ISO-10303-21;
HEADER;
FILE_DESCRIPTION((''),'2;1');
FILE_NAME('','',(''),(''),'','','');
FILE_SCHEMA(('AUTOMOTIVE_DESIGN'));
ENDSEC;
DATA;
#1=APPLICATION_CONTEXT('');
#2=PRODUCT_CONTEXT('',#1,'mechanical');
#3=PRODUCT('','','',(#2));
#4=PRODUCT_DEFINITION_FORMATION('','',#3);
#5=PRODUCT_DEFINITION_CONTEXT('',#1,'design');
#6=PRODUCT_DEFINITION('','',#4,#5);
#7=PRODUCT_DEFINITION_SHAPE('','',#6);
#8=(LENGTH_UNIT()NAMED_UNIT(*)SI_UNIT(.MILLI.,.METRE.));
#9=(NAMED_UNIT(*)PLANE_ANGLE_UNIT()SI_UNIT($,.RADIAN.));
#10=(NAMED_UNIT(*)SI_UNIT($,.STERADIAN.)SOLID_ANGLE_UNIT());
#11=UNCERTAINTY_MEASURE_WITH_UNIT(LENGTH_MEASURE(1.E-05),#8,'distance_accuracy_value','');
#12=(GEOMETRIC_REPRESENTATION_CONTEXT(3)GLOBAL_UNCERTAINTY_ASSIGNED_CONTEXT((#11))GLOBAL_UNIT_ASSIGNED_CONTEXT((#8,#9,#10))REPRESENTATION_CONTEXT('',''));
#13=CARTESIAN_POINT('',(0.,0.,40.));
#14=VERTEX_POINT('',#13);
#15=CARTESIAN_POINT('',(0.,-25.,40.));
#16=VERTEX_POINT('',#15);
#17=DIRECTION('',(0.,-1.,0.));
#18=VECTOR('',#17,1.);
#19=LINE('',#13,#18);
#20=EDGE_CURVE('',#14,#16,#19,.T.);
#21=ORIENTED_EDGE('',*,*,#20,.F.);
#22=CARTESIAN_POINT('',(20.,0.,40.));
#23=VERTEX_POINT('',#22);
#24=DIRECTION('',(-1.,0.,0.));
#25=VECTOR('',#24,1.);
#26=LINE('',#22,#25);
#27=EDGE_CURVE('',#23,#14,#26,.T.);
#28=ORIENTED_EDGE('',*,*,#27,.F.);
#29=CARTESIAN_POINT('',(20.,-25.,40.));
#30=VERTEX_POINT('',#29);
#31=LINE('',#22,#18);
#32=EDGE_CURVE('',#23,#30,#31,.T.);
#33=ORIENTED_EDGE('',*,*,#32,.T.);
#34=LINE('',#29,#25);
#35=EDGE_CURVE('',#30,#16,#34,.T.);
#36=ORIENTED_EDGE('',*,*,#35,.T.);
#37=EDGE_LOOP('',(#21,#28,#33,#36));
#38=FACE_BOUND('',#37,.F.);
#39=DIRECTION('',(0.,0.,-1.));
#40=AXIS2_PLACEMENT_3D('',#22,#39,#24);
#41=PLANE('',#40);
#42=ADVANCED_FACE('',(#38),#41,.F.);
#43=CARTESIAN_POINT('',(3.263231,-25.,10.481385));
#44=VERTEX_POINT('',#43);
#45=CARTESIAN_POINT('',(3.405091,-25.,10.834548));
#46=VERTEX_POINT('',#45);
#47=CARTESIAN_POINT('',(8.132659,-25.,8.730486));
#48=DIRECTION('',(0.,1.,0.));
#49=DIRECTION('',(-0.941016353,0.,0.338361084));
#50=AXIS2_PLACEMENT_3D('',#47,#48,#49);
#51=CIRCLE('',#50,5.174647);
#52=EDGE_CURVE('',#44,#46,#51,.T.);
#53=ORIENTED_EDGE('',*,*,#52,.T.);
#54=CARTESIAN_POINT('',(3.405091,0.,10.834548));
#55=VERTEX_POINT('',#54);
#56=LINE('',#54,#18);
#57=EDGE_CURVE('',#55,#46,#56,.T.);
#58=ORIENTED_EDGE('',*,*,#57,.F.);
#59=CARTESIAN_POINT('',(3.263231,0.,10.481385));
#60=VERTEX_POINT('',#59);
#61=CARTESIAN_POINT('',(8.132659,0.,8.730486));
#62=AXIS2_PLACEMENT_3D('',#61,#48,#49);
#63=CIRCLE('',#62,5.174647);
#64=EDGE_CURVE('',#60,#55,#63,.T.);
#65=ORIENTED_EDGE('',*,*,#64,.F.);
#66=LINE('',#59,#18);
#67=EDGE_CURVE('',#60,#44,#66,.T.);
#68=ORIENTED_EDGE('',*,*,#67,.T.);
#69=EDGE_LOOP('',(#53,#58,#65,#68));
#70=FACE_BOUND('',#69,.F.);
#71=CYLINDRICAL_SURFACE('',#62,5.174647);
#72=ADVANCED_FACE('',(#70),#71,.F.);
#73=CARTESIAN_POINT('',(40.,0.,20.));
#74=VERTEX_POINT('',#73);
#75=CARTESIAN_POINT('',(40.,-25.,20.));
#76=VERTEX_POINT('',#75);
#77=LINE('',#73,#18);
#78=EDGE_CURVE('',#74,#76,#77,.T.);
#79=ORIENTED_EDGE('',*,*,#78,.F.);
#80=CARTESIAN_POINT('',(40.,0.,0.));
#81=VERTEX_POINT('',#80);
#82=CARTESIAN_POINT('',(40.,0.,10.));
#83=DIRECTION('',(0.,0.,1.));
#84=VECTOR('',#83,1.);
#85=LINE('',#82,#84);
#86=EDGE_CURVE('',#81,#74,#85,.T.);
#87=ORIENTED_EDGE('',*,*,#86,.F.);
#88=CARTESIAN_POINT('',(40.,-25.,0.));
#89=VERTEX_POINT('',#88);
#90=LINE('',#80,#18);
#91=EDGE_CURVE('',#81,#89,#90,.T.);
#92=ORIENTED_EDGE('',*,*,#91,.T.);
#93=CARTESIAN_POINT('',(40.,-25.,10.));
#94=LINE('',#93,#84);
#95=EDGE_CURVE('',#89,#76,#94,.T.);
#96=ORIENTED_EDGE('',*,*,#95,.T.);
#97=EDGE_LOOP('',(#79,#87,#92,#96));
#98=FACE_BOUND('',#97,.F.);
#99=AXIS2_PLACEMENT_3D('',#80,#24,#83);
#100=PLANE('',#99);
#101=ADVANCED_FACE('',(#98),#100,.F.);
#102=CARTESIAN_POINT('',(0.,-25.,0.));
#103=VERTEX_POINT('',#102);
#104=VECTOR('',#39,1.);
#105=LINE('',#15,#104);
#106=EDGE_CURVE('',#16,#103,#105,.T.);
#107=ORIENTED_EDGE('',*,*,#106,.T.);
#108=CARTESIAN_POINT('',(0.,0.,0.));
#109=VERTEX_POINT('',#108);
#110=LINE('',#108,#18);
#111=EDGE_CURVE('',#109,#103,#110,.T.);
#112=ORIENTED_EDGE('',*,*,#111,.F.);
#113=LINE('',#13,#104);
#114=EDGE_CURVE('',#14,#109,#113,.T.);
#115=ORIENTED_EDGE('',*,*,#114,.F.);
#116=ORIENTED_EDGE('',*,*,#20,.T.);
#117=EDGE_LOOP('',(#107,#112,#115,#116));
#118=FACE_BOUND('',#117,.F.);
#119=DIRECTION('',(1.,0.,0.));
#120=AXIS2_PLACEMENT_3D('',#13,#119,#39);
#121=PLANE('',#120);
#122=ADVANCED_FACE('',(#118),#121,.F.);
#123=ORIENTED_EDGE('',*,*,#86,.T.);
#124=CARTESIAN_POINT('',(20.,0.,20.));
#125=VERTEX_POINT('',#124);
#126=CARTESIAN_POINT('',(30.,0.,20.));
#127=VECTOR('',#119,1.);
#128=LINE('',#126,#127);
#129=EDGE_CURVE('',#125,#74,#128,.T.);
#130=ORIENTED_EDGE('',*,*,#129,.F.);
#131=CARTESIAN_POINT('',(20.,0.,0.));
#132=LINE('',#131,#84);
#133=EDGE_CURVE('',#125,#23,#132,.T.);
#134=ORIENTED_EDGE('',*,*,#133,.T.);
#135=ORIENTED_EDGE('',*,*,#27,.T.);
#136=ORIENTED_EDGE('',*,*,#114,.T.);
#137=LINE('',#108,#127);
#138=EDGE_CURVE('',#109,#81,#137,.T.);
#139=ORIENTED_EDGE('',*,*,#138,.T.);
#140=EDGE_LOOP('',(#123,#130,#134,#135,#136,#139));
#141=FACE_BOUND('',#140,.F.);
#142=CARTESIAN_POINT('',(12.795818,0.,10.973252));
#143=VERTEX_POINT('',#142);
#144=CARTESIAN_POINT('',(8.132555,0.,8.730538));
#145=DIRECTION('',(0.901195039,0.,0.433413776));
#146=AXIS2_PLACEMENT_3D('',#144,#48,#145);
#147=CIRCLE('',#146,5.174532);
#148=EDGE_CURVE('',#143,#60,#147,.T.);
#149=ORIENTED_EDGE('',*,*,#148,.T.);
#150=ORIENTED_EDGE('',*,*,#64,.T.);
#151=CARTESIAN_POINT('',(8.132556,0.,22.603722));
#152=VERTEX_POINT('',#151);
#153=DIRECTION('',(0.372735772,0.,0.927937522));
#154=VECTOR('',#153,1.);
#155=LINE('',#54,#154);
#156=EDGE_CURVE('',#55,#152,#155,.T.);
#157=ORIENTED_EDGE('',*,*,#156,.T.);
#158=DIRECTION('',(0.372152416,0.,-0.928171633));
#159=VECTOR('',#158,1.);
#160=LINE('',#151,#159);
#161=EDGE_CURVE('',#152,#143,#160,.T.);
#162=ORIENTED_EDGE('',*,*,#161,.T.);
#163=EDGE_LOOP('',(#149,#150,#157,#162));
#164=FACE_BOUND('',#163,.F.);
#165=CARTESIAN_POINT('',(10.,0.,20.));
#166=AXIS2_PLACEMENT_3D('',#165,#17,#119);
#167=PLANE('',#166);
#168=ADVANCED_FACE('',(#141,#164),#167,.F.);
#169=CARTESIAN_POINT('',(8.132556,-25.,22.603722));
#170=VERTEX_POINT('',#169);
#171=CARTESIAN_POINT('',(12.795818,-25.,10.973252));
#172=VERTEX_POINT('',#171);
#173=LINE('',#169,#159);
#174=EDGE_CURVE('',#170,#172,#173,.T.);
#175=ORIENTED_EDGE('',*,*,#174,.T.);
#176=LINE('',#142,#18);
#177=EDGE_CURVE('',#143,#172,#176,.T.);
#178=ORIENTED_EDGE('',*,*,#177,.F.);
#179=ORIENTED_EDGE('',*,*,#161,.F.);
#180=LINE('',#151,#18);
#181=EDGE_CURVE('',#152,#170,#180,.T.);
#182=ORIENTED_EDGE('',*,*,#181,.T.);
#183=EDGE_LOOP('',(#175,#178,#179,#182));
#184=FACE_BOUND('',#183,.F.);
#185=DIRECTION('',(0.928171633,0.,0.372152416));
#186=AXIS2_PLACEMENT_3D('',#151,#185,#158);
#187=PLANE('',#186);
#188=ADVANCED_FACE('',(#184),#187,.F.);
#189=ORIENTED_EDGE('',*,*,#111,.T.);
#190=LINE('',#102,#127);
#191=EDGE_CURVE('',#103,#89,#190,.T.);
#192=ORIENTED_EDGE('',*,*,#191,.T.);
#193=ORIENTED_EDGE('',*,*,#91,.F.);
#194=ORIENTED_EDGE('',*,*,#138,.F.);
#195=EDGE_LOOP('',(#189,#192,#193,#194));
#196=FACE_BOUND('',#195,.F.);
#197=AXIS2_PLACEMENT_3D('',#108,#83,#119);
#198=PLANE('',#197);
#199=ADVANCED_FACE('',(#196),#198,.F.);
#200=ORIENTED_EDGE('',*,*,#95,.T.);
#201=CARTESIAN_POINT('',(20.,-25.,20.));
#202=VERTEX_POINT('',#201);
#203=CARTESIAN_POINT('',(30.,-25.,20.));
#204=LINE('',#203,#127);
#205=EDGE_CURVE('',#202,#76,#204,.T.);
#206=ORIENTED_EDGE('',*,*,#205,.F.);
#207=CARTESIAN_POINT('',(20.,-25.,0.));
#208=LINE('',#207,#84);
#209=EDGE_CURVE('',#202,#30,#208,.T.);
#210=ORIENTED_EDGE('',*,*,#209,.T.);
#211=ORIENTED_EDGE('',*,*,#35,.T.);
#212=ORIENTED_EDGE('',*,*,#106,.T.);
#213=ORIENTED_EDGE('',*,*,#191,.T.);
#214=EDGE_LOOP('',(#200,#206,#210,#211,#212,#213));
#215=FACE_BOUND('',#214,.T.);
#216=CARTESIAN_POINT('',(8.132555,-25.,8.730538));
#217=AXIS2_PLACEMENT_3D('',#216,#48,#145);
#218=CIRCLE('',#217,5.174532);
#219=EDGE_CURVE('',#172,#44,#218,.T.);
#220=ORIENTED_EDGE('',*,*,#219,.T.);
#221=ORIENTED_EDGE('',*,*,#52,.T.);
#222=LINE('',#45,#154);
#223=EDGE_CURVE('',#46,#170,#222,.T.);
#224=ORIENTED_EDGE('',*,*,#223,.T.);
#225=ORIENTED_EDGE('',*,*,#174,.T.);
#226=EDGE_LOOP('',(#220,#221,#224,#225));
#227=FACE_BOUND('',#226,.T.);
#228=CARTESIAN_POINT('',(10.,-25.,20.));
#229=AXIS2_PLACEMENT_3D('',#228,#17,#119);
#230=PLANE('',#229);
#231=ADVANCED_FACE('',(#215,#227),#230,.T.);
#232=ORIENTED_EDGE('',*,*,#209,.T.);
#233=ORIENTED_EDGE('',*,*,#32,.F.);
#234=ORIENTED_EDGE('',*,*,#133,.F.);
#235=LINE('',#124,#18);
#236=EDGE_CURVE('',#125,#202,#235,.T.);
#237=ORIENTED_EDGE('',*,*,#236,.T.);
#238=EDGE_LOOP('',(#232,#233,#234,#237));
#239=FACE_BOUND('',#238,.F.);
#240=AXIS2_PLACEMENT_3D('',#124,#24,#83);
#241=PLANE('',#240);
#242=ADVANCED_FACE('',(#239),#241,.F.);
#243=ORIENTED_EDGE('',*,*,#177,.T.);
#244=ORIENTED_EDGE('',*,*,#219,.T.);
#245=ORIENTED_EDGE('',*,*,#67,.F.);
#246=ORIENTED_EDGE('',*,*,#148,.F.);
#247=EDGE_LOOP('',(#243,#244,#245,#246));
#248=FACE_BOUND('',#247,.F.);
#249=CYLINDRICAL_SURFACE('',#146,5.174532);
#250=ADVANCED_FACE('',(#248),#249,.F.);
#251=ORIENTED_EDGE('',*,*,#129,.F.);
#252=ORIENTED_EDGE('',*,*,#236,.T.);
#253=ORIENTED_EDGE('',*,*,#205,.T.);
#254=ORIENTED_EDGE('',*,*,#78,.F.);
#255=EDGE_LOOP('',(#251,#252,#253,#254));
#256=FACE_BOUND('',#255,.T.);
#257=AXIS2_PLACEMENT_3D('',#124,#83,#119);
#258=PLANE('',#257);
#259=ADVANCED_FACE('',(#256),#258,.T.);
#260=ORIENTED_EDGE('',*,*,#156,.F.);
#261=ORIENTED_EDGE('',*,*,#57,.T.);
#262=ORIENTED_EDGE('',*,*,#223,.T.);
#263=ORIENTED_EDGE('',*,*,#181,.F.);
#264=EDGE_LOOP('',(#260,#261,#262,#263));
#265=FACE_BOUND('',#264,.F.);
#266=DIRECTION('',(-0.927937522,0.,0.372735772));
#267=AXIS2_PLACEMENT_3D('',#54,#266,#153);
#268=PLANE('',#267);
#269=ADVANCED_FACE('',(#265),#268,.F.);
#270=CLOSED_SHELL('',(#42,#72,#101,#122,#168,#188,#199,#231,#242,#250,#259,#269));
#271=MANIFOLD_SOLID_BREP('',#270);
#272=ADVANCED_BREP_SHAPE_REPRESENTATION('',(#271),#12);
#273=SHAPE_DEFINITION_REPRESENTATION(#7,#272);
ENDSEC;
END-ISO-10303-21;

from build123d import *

# Parameters (mm, degrees)
F0_W     = 20
F0_H     = 20
F1_DEPTH = 25


with BuildPart() as f1:
    # F0 (on Front) → F1 (new body)
    with BuildSketch(Plane.XZ):
        Polygon((0, 4.873418), (0, 0), (20, 0), (20, 20), (20, 40), (0, 40), align=None)
        with BuildLine():
            ThreePointArc((3.263231, 10.481385), (3.330913, 10.659271), (3.405091, 10.834548))
            Line((3.405091, 10.834548), (8.132556, 22.603722))
            Line((8.132556, 22.603722), (12.795818, 10.973252))
            ThreePointArc((12.795818, 10.973252), (8.399199, 3.562881), (3.263231, 10.481385))
        make_face(mode=Mode.SUBTRACT)
        with Locations((30, 10)):
            Rectangle(F0_W, F0_H)
    extrude(amount=F1_DEPTH)


solid = f1.part
